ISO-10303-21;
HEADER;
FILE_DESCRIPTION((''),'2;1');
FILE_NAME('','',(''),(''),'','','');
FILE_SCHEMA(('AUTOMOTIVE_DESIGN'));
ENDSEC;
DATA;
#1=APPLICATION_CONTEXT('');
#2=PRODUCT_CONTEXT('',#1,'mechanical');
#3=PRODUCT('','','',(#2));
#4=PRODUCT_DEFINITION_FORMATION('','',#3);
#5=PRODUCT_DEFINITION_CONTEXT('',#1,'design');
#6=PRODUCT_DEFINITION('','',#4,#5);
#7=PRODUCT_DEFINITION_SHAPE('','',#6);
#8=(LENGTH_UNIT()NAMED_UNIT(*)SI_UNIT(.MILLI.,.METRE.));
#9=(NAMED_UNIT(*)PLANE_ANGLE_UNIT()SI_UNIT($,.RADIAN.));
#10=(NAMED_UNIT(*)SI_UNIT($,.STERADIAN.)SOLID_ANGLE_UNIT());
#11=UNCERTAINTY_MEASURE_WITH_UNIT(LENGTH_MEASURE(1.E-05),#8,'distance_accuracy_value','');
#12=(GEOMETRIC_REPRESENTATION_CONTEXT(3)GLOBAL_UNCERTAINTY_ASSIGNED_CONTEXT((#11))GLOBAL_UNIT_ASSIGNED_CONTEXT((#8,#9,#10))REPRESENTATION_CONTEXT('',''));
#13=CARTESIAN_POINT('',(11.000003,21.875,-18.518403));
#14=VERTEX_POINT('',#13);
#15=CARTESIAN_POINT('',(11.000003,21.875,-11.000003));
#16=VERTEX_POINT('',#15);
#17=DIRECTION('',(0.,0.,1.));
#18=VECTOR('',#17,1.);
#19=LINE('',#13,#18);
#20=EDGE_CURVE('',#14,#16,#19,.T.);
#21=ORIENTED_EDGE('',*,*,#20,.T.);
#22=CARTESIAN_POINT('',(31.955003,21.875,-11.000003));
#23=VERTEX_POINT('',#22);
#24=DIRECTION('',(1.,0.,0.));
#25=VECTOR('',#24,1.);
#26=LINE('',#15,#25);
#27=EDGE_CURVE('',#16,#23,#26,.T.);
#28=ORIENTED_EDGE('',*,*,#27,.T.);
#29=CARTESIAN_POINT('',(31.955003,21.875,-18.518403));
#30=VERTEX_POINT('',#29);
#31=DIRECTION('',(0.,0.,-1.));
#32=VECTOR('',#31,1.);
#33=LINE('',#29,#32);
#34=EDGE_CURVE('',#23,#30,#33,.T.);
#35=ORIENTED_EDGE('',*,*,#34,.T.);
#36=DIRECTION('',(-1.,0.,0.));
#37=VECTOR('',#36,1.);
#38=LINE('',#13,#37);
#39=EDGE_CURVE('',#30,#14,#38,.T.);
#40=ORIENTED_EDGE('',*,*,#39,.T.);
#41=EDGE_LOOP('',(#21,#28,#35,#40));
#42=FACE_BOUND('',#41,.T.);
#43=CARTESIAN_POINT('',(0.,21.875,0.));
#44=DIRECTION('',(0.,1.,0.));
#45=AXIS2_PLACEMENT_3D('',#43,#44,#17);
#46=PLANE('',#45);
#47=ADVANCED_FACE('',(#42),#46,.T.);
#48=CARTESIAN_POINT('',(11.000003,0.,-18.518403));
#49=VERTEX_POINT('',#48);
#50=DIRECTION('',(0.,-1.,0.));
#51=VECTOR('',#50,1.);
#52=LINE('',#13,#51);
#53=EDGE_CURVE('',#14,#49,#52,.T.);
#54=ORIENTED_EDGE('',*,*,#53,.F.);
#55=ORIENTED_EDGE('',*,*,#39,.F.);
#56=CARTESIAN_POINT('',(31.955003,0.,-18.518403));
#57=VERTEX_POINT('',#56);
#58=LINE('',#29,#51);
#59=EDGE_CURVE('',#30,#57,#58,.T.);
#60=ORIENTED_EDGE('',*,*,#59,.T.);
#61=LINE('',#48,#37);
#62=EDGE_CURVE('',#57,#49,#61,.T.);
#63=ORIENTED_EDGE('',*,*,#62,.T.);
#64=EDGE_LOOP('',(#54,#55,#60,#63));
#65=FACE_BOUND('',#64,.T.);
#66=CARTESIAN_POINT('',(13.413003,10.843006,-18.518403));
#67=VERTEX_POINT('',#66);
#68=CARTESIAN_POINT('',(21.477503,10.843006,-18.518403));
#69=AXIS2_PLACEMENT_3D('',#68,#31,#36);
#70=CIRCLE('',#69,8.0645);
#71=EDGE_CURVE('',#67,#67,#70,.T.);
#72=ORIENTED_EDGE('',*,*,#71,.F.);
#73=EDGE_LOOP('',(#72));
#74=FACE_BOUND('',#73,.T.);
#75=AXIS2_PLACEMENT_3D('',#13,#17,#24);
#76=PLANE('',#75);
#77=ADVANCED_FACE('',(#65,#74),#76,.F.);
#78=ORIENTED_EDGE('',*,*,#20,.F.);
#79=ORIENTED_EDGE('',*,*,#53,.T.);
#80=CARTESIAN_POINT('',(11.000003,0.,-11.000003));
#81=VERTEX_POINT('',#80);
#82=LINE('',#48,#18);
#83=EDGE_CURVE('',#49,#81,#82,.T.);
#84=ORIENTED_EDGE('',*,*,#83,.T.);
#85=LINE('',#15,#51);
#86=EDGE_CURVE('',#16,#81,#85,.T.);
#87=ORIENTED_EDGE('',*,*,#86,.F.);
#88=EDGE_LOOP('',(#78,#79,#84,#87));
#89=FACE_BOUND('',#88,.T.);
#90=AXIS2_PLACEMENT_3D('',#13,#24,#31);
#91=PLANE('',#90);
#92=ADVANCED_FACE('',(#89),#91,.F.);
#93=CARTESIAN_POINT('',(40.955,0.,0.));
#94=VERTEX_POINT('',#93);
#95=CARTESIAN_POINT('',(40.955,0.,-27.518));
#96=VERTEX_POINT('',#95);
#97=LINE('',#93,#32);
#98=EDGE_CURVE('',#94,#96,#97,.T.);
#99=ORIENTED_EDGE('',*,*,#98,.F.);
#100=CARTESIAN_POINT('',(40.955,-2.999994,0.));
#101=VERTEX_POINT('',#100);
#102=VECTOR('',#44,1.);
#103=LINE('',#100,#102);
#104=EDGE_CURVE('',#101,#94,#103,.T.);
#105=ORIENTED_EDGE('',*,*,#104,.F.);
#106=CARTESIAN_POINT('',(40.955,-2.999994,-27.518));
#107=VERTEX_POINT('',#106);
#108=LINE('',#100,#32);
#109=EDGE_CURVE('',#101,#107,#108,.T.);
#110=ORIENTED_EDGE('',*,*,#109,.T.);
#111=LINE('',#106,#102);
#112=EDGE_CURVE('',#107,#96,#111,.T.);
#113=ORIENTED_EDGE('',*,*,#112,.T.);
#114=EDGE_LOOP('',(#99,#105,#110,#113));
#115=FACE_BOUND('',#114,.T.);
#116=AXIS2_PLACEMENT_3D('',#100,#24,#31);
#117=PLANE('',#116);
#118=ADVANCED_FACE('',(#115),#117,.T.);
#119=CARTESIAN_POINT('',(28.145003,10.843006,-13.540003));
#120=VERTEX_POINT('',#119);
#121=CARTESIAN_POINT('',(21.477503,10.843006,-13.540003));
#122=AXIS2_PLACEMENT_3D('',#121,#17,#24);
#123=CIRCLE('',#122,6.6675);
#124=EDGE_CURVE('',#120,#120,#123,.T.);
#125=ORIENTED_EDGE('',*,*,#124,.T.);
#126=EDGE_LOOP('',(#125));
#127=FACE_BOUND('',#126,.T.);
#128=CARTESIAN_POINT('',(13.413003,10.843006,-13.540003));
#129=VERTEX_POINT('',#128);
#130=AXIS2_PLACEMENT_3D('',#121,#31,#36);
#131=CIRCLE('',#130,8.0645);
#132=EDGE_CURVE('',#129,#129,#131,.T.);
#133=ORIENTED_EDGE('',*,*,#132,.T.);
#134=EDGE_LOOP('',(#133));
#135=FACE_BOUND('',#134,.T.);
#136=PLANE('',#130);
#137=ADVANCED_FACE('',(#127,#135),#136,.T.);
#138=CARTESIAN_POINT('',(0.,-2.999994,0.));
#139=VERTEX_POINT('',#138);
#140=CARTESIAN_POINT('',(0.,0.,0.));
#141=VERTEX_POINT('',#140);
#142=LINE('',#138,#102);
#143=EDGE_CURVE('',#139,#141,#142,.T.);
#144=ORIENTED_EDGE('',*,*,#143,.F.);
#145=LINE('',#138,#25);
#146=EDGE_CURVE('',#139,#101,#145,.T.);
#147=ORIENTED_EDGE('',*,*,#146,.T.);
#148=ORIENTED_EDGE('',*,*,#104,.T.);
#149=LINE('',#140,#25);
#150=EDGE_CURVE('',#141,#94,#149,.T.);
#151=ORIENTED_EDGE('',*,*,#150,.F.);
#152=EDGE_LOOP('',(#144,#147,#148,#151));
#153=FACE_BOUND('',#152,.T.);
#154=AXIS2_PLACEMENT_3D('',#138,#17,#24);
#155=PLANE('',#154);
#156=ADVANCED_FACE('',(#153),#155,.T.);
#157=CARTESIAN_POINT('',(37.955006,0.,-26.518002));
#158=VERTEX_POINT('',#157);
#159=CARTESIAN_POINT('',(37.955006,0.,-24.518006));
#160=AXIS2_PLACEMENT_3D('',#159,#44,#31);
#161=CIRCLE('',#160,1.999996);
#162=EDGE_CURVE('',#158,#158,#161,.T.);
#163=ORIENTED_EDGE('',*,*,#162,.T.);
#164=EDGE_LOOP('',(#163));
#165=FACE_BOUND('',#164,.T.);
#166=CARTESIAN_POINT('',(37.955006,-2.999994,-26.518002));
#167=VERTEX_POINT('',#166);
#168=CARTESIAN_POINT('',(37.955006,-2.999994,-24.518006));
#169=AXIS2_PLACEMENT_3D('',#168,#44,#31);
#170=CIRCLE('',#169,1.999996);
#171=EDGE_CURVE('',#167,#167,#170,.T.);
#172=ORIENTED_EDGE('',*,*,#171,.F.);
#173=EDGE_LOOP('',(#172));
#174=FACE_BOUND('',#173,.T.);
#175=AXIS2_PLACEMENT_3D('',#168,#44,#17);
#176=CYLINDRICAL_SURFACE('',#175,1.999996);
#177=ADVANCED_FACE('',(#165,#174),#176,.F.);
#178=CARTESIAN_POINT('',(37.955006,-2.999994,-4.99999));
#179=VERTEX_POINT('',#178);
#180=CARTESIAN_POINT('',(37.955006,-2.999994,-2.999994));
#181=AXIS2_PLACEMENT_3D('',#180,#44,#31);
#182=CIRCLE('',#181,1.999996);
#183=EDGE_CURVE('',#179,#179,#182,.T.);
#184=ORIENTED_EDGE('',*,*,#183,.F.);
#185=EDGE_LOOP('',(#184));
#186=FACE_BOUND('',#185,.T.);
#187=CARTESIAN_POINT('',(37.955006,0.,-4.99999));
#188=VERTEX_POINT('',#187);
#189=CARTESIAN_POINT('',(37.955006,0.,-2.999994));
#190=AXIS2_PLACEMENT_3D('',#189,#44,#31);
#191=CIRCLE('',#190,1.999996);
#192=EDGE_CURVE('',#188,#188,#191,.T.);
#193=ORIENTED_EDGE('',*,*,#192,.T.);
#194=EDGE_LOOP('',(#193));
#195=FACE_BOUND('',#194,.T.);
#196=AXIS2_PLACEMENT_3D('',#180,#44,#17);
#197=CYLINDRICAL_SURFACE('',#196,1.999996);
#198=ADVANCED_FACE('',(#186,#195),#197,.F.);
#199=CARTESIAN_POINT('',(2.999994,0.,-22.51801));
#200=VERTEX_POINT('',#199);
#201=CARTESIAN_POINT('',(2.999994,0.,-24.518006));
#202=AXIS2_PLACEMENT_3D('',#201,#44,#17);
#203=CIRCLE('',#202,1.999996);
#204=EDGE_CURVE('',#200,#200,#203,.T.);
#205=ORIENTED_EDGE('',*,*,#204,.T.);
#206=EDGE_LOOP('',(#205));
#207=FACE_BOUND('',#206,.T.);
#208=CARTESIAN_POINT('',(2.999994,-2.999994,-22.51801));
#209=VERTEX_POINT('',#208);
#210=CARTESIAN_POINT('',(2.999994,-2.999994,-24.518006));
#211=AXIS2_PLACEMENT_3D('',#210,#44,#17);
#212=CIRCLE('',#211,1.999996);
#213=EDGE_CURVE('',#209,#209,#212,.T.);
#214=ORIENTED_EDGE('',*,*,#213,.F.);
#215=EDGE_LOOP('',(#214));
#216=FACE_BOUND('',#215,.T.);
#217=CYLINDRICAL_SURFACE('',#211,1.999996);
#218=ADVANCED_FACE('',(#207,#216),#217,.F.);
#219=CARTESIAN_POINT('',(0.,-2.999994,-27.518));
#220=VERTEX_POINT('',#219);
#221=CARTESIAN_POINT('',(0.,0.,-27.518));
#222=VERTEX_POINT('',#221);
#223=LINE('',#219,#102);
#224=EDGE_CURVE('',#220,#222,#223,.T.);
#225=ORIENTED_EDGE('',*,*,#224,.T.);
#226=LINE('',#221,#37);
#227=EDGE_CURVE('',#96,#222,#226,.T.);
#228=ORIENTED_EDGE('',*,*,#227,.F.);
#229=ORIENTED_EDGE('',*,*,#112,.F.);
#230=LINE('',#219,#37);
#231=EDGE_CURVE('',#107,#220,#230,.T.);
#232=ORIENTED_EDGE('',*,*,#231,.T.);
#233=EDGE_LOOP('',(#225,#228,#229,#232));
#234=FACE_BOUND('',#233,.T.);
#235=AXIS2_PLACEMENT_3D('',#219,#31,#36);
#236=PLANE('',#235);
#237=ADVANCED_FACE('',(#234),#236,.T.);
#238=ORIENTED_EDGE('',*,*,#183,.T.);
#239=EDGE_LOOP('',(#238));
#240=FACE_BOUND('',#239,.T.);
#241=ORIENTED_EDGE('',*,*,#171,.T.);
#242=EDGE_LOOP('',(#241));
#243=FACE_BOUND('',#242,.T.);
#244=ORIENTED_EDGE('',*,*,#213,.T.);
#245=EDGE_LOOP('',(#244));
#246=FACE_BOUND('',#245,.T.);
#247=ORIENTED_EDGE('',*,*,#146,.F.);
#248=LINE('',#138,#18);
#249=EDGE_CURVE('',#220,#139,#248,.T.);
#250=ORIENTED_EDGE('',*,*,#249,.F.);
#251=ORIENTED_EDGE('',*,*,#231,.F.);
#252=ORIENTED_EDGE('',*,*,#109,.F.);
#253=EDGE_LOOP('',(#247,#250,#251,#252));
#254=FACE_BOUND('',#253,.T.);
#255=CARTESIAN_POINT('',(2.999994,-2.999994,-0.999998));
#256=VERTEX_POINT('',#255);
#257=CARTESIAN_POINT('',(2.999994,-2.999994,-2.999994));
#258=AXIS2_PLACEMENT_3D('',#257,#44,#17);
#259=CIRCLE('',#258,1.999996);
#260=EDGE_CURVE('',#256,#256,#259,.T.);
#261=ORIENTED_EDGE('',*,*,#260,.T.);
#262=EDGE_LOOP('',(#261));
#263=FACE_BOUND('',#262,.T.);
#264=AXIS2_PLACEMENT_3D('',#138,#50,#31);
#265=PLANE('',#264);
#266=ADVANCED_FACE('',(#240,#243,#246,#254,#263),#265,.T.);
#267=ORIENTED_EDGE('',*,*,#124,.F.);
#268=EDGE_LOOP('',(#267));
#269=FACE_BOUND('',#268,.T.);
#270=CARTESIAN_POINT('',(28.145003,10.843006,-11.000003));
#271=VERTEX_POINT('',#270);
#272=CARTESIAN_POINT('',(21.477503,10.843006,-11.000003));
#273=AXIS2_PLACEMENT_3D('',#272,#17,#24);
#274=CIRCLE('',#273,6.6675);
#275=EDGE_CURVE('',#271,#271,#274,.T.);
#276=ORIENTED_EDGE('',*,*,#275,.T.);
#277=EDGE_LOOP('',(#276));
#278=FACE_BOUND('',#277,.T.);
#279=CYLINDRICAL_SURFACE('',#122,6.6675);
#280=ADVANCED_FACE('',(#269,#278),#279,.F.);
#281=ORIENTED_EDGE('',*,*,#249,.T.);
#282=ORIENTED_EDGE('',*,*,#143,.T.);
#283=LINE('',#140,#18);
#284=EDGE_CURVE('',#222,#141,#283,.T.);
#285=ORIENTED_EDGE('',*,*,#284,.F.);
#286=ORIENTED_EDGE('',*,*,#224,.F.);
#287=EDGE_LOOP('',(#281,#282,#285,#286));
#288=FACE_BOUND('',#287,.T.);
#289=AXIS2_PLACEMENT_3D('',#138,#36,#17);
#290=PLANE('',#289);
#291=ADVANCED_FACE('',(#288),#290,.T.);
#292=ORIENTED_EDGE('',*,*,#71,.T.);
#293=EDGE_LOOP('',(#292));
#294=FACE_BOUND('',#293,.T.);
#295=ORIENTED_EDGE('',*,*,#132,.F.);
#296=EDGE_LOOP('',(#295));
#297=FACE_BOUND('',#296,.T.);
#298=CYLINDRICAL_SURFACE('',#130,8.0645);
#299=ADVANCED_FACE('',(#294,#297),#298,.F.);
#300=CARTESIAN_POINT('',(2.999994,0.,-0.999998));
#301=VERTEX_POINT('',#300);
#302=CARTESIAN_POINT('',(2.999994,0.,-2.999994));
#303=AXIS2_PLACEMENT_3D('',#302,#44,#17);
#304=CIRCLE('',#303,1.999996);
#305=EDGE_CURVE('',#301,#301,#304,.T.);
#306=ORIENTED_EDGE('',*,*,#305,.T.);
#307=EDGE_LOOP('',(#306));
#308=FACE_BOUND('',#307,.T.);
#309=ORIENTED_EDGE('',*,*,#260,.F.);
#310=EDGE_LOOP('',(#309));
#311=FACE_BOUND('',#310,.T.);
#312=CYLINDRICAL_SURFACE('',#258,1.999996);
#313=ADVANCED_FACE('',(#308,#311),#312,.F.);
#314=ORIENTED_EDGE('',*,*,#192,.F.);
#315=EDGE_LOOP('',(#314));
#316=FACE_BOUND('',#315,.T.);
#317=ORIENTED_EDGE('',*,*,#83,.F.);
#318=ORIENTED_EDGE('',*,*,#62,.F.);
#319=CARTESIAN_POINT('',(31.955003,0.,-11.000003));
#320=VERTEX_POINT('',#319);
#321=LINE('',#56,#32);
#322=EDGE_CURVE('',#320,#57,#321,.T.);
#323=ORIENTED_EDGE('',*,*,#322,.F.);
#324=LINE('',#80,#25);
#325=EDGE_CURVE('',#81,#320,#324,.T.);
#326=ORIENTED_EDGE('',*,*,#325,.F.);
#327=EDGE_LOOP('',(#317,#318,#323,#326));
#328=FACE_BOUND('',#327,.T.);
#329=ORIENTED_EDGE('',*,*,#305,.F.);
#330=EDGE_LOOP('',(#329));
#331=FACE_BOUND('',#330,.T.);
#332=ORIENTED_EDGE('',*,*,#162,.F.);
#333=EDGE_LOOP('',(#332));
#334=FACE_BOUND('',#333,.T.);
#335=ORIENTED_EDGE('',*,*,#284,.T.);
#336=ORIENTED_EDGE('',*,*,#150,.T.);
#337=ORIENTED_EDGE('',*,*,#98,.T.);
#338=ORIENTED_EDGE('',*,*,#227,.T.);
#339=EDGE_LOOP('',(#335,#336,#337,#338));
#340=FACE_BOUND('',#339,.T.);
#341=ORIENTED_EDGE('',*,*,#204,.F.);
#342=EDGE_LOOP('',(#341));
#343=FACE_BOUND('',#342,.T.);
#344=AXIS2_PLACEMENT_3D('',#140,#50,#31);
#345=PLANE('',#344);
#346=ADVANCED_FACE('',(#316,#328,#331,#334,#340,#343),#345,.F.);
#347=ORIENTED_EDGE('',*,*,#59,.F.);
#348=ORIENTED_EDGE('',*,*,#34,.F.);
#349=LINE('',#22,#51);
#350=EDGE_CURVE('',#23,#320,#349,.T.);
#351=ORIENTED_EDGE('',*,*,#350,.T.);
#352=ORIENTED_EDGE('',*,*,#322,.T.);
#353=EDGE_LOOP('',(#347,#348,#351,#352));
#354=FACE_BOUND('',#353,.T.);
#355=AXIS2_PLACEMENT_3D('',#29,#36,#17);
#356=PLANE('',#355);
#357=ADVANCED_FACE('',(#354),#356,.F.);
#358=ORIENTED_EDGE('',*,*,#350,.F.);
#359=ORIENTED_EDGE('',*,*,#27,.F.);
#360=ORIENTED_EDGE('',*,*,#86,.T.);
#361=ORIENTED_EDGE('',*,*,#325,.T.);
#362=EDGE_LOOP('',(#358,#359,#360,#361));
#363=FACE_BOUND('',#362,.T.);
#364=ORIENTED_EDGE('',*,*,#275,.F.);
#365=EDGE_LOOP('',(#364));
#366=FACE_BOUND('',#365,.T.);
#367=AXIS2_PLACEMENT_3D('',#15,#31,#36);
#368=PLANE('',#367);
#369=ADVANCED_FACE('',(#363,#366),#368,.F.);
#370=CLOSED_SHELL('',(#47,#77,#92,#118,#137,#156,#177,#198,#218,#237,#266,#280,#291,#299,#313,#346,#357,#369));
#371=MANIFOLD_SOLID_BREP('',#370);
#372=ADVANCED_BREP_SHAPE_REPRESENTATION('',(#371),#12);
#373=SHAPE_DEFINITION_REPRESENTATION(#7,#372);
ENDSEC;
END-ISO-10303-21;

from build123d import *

# Parameters (mm, degrees)
SKETCH1_W           = 40.954999878
SKETCH1_H           = 27.518000082
BOSS_EXTRUDE1_DEPTH = 2.999994
SKETCH3_W           = 20.955
SKETCH3_H           = 7.5184
BOSS_EXTRUDE2_DEPTH = 21.874999989
SKETCH4_R           = 1.999996
CUT_EXTRUDE1_DEPTH  = 3.999994
SKETCH5_R           = 6.6675
CUT_EXTRUDE2_DEPTH  = 2.54
SKETCH6_R           = 8.0645
CUT_EXTRUDE3_DEPTH  = 4.9784


with BuildPart() as part:
    # Sketch1 → Boss-Extrude1 (new body)
    with BuildSketch(Plane(origin=(0, 0, 0), x_dir=(1, 0, 0), z_dir=(0, 1, 0))):
        with Locations((20.477499939, 13.759000041)):
            Rectangle(SKETCH1_W, SKETCH1_H)
    extrude(amount=-BOSS_EXTRUDE1_DEPTH)

    # Sketch3 → Boss-Extrude2 (add)
    with BuildSketch(Plane(origin=(0, 0, 0), x_dir=(1, 0, 0), z_dir=(0, 1, 0))):
        with Locations((21.4775034, 14.7592034)):
            Rectangle(SKETCH3_W, SKETCH3_H)
    extrude(amount=BOSS_EXTRUDE2_DEPTH)

    # Sketch4 → Cut-Extrude1 (cut, through all)
    with BuildSketch(Plane(origin=(0, 0, 0), x_dir=(1, 0, 0), z_dir=(0, 1, 0))):
        with Locations((2.999994, 24.518006082)):
            Circle(SKETCH4_R)
        with Locations((2.999994, 2.999994)):
            Circle(SKETCH4_R)
        with Locations((37.955005756, 2.999994)):
            Circle(SKETCH4_R)
        with Locations((37.955005756, 24.518006082)):
            Circle(SKETCH4_R)
    extrude(amount=-CUT_EXTRUDE1_DEPTH, mode=Mode.SUBTRACT)

    # Sketch5 → Cut-Extrude2 (cut)
    with BuildSketch(Plane.XY.offset(-11.0000034)):
        with Locations((21.4775034, 10.843006)):
            Circle(SKETCH5_R)
    extrude(amount=-CUT_EXTRUDE2_DEPTH, mode=Mode.SUBTRACT)

    # Sketch6 → Cut-Extrude3 (cut)
    with BuildSketch(Plane(origin=(0, 0, -18.5184034), x_dir=(-1, 0, 0), z_dir=(0, 0, -1))):
        with Locations((-21.4775034, 10.843006)):
            Circle(SKETCH6_R)
    extrude(amount=-CUT_EXTRUDE3_DEPTH, mode=Mode.SUBTRACT)


solid = part.part
